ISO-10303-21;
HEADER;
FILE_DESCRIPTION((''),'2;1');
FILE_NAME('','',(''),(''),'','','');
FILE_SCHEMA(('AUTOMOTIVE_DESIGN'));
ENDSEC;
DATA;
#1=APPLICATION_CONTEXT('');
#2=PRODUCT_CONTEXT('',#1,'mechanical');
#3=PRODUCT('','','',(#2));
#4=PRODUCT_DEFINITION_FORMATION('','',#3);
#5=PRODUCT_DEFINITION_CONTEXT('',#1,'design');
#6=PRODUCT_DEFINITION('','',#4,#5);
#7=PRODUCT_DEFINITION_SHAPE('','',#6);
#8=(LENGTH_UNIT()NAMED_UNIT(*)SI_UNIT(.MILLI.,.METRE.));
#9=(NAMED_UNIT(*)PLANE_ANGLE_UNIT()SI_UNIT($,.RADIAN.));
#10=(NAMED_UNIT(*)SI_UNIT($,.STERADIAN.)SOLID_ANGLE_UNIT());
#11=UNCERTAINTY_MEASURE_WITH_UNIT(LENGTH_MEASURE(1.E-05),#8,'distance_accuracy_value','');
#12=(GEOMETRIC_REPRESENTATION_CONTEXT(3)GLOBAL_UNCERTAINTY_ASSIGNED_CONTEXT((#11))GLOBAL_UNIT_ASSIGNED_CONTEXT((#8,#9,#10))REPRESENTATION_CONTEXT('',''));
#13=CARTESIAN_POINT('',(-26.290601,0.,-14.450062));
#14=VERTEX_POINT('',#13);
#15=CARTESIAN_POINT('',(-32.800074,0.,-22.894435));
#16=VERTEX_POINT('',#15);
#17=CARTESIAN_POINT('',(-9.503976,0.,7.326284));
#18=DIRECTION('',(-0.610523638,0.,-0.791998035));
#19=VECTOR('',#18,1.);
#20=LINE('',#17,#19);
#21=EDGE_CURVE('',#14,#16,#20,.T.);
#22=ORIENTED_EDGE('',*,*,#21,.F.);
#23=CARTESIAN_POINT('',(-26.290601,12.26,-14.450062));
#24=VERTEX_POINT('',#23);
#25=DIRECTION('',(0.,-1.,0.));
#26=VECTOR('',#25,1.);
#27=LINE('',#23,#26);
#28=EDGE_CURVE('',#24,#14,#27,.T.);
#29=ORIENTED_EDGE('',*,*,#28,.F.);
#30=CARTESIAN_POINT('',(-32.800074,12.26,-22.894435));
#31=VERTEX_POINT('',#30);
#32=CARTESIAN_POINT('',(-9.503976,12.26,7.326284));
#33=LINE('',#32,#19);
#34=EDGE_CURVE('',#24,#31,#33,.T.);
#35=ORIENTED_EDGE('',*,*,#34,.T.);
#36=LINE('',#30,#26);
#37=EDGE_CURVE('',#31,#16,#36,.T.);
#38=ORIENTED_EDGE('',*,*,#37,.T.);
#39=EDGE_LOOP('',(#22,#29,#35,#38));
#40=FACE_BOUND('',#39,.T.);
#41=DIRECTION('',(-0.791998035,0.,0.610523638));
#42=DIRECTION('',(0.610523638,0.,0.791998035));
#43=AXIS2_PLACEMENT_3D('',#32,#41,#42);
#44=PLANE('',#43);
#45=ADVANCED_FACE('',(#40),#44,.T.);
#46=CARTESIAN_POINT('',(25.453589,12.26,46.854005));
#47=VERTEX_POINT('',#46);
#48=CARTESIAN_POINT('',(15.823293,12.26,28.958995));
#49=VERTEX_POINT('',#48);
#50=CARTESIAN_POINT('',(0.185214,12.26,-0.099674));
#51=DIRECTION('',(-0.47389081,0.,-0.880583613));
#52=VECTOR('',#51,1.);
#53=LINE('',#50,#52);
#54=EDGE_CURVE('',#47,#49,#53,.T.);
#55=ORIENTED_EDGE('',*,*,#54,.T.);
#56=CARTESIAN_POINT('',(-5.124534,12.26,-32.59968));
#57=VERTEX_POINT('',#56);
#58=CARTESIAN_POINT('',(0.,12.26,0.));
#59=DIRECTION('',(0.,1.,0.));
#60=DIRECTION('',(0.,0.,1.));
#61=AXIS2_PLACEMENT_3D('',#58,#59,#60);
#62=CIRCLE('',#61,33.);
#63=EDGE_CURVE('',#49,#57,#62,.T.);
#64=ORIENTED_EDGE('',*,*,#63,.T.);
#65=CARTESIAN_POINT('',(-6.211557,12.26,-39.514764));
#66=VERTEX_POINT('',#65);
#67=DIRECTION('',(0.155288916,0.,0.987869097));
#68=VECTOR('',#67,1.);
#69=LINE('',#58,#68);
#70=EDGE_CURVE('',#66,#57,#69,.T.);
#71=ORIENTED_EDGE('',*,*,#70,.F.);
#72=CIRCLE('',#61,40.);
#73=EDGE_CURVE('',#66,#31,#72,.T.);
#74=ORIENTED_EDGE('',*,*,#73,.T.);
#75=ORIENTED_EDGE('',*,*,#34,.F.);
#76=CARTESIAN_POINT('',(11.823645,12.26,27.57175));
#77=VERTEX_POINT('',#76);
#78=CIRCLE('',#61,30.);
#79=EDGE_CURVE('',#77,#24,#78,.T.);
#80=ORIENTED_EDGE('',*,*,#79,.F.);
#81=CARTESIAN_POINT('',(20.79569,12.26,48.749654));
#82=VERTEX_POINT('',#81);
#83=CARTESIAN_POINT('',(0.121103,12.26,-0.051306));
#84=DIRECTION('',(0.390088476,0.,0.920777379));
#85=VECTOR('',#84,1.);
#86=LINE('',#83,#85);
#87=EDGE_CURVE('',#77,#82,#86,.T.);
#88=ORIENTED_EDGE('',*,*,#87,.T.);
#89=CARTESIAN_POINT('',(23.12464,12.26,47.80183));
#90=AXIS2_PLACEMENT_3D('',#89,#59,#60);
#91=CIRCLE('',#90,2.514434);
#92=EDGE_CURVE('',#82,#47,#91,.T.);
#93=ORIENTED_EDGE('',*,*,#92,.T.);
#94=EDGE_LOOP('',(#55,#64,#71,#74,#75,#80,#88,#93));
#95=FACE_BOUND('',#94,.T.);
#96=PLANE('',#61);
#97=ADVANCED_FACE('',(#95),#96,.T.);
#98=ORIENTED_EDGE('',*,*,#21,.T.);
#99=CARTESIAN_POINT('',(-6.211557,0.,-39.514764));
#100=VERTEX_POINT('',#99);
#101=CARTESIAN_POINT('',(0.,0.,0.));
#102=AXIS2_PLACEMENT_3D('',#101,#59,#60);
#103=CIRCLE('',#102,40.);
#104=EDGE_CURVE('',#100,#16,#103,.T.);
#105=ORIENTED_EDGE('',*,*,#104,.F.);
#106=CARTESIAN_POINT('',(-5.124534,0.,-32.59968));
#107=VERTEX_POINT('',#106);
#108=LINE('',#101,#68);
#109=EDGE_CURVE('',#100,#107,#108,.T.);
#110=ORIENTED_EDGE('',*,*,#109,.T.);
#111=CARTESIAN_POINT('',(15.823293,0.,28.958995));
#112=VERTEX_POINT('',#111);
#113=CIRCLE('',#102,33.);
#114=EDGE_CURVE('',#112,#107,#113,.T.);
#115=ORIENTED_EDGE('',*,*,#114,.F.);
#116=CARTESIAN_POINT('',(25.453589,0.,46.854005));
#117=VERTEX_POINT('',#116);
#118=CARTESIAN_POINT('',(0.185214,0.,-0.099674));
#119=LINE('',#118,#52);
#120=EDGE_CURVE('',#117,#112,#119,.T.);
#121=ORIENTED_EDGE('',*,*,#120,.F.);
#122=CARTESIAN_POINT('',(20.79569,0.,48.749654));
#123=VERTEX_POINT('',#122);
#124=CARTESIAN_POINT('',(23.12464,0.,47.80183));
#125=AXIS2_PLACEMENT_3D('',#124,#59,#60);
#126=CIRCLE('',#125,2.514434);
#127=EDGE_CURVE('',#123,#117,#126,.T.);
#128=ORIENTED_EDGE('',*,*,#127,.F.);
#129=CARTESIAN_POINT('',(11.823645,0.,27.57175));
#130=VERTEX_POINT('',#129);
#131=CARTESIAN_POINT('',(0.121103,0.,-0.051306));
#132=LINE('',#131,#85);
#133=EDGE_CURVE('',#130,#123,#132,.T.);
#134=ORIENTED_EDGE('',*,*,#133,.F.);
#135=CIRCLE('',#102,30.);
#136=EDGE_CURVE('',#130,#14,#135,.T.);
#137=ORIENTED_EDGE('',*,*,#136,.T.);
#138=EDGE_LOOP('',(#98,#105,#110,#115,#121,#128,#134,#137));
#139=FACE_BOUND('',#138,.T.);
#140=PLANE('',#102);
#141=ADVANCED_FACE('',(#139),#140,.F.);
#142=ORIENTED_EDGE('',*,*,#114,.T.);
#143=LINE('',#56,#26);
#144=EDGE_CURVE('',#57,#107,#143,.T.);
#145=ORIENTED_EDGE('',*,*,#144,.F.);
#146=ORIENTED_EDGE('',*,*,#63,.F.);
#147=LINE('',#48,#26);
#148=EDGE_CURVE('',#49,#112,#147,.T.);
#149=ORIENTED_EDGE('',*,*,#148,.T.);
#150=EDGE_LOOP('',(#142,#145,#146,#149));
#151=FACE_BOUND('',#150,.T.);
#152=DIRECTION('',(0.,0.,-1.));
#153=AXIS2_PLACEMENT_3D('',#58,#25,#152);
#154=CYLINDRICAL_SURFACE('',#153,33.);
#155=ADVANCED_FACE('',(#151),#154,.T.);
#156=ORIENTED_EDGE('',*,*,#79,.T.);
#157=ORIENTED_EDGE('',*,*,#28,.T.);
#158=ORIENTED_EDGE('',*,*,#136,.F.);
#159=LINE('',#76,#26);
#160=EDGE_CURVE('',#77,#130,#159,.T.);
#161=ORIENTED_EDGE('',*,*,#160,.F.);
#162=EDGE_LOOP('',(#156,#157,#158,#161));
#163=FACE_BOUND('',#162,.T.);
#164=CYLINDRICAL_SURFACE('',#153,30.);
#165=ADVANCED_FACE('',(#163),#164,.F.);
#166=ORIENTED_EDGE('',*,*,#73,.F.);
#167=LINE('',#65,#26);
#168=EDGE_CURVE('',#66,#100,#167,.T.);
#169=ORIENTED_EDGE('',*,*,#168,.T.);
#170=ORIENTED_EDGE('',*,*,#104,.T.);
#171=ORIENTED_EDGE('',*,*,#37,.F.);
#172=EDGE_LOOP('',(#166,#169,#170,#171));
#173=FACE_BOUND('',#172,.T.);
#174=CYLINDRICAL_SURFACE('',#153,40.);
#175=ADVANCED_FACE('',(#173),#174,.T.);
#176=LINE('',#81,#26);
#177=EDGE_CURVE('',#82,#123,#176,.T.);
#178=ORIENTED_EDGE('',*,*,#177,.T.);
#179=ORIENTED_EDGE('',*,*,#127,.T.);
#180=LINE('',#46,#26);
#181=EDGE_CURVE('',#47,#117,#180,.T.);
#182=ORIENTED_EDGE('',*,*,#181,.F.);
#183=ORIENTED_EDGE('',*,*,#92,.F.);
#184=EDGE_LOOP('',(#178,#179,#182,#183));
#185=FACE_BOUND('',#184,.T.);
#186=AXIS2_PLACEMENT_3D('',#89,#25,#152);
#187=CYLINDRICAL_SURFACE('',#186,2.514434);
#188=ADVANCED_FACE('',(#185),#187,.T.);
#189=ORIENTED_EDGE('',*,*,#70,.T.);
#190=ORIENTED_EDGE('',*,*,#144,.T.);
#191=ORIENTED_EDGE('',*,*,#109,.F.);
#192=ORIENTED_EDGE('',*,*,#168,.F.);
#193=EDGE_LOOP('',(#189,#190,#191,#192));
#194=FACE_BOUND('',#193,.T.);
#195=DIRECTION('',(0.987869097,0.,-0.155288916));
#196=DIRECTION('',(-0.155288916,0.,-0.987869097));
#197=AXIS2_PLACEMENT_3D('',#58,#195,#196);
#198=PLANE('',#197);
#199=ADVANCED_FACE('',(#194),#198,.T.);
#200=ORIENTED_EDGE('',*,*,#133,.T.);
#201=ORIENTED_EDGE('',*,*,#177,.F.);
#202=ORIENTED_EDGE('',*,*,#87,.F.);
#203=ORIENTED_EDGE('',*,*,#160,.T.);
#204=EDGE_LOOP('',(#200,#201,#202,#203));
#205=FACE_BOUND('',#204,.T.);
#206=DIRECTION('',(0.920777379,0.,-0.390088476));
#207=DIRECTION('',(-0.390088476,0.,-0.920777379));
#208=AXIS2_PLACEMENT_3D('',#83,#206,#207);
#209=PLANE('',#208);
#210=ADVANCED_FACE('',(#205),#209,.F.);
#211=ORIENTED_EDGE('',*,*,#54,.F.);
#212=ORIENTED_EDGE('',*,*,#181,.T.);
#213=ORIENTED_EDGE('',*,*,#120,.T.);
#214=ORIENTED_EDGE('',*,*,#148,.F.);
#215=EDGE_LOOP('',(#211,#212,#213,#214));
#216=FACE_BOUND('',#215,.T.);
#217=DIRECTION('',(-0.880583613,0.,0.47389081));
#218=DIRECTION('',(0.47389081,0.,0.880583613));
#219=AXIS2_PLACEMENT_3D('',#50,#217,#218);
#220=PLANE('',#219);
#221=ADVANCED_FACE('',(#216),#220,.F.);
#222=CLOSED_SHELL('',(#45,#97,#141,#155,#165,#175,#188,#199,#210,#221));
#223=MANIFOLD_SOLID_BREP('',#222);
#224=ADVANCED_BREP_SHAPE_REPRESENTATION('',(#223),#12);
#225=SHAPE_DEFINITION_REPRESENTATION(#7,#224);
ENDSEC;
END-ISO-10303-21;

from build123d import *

# Parameters (mm, degrees)
RESSALTO_EXTRUS_O1_DEPTH = 12.26


with BuildPart() as part:
    # Esboço1 → Ressalto-extrusão1 (new body)
    with BuildSketch(Plane(origin=(0, 0, 0), x_dir=(1, 0, 0), z_dir=(0, 1, 0))):
        with BuildLine():
            Line((11.823645173, -27.571750304), (12.993920826, -30.334106573))
            Line((12.993920826, -30.334106573), (20.795690346, -48.749654144))
            ThreePointArc((20.795690346, -48.749654144), (24.072464244, -50.130779062), (25.453589161, -46.854005164))
            Line((25.453589161, -46.854005164), (25.198608413, -46.380200094))
            Line((25.198608413, -46.380200094), (15.823293166, -28.958995034))
            ThreePointArc((15.823293166, -28.958995034), (21.396881696, -25.123165678), (26.071005915, -20.231229586))
            ThreePointArc((26.071005915, -20.231229586), (26.997061933, -18.977846216), (27.862912529, -17.68214086))
            ThreePointArc((27.862912529, -17.68214086), (31.468158773, 9.937554199), (12.654282119, 30.477354611))
            ThreePointArc((12.654282119, 30.477354611), (3.9115652, 32.767356587), (-5.124534224, 32.599680198))
            Line((-5.124534224, 32.599680198), (-6.211556636, 39.514763876))
            ThreePointArc((-6.211556636, 39.514763876), (-21.202255924, 33.9184956), (-32.800073698, 22.894435249))
            Line((-32.800073698, 22.894435249), (-28.26846637, 17.015835516))
            Line((-28.26846637, 17.015835516), (-26.290601135, 14.450062005))
            ThreePointArc((-26.290601135, 14.450062005), (22.221192163, 20.154865886), (11.823645173, -27.571750304))
        make_face()
    extrude(amount=RESSALTO_EXTRUS_O1_DEPTH)


solid = part.part
